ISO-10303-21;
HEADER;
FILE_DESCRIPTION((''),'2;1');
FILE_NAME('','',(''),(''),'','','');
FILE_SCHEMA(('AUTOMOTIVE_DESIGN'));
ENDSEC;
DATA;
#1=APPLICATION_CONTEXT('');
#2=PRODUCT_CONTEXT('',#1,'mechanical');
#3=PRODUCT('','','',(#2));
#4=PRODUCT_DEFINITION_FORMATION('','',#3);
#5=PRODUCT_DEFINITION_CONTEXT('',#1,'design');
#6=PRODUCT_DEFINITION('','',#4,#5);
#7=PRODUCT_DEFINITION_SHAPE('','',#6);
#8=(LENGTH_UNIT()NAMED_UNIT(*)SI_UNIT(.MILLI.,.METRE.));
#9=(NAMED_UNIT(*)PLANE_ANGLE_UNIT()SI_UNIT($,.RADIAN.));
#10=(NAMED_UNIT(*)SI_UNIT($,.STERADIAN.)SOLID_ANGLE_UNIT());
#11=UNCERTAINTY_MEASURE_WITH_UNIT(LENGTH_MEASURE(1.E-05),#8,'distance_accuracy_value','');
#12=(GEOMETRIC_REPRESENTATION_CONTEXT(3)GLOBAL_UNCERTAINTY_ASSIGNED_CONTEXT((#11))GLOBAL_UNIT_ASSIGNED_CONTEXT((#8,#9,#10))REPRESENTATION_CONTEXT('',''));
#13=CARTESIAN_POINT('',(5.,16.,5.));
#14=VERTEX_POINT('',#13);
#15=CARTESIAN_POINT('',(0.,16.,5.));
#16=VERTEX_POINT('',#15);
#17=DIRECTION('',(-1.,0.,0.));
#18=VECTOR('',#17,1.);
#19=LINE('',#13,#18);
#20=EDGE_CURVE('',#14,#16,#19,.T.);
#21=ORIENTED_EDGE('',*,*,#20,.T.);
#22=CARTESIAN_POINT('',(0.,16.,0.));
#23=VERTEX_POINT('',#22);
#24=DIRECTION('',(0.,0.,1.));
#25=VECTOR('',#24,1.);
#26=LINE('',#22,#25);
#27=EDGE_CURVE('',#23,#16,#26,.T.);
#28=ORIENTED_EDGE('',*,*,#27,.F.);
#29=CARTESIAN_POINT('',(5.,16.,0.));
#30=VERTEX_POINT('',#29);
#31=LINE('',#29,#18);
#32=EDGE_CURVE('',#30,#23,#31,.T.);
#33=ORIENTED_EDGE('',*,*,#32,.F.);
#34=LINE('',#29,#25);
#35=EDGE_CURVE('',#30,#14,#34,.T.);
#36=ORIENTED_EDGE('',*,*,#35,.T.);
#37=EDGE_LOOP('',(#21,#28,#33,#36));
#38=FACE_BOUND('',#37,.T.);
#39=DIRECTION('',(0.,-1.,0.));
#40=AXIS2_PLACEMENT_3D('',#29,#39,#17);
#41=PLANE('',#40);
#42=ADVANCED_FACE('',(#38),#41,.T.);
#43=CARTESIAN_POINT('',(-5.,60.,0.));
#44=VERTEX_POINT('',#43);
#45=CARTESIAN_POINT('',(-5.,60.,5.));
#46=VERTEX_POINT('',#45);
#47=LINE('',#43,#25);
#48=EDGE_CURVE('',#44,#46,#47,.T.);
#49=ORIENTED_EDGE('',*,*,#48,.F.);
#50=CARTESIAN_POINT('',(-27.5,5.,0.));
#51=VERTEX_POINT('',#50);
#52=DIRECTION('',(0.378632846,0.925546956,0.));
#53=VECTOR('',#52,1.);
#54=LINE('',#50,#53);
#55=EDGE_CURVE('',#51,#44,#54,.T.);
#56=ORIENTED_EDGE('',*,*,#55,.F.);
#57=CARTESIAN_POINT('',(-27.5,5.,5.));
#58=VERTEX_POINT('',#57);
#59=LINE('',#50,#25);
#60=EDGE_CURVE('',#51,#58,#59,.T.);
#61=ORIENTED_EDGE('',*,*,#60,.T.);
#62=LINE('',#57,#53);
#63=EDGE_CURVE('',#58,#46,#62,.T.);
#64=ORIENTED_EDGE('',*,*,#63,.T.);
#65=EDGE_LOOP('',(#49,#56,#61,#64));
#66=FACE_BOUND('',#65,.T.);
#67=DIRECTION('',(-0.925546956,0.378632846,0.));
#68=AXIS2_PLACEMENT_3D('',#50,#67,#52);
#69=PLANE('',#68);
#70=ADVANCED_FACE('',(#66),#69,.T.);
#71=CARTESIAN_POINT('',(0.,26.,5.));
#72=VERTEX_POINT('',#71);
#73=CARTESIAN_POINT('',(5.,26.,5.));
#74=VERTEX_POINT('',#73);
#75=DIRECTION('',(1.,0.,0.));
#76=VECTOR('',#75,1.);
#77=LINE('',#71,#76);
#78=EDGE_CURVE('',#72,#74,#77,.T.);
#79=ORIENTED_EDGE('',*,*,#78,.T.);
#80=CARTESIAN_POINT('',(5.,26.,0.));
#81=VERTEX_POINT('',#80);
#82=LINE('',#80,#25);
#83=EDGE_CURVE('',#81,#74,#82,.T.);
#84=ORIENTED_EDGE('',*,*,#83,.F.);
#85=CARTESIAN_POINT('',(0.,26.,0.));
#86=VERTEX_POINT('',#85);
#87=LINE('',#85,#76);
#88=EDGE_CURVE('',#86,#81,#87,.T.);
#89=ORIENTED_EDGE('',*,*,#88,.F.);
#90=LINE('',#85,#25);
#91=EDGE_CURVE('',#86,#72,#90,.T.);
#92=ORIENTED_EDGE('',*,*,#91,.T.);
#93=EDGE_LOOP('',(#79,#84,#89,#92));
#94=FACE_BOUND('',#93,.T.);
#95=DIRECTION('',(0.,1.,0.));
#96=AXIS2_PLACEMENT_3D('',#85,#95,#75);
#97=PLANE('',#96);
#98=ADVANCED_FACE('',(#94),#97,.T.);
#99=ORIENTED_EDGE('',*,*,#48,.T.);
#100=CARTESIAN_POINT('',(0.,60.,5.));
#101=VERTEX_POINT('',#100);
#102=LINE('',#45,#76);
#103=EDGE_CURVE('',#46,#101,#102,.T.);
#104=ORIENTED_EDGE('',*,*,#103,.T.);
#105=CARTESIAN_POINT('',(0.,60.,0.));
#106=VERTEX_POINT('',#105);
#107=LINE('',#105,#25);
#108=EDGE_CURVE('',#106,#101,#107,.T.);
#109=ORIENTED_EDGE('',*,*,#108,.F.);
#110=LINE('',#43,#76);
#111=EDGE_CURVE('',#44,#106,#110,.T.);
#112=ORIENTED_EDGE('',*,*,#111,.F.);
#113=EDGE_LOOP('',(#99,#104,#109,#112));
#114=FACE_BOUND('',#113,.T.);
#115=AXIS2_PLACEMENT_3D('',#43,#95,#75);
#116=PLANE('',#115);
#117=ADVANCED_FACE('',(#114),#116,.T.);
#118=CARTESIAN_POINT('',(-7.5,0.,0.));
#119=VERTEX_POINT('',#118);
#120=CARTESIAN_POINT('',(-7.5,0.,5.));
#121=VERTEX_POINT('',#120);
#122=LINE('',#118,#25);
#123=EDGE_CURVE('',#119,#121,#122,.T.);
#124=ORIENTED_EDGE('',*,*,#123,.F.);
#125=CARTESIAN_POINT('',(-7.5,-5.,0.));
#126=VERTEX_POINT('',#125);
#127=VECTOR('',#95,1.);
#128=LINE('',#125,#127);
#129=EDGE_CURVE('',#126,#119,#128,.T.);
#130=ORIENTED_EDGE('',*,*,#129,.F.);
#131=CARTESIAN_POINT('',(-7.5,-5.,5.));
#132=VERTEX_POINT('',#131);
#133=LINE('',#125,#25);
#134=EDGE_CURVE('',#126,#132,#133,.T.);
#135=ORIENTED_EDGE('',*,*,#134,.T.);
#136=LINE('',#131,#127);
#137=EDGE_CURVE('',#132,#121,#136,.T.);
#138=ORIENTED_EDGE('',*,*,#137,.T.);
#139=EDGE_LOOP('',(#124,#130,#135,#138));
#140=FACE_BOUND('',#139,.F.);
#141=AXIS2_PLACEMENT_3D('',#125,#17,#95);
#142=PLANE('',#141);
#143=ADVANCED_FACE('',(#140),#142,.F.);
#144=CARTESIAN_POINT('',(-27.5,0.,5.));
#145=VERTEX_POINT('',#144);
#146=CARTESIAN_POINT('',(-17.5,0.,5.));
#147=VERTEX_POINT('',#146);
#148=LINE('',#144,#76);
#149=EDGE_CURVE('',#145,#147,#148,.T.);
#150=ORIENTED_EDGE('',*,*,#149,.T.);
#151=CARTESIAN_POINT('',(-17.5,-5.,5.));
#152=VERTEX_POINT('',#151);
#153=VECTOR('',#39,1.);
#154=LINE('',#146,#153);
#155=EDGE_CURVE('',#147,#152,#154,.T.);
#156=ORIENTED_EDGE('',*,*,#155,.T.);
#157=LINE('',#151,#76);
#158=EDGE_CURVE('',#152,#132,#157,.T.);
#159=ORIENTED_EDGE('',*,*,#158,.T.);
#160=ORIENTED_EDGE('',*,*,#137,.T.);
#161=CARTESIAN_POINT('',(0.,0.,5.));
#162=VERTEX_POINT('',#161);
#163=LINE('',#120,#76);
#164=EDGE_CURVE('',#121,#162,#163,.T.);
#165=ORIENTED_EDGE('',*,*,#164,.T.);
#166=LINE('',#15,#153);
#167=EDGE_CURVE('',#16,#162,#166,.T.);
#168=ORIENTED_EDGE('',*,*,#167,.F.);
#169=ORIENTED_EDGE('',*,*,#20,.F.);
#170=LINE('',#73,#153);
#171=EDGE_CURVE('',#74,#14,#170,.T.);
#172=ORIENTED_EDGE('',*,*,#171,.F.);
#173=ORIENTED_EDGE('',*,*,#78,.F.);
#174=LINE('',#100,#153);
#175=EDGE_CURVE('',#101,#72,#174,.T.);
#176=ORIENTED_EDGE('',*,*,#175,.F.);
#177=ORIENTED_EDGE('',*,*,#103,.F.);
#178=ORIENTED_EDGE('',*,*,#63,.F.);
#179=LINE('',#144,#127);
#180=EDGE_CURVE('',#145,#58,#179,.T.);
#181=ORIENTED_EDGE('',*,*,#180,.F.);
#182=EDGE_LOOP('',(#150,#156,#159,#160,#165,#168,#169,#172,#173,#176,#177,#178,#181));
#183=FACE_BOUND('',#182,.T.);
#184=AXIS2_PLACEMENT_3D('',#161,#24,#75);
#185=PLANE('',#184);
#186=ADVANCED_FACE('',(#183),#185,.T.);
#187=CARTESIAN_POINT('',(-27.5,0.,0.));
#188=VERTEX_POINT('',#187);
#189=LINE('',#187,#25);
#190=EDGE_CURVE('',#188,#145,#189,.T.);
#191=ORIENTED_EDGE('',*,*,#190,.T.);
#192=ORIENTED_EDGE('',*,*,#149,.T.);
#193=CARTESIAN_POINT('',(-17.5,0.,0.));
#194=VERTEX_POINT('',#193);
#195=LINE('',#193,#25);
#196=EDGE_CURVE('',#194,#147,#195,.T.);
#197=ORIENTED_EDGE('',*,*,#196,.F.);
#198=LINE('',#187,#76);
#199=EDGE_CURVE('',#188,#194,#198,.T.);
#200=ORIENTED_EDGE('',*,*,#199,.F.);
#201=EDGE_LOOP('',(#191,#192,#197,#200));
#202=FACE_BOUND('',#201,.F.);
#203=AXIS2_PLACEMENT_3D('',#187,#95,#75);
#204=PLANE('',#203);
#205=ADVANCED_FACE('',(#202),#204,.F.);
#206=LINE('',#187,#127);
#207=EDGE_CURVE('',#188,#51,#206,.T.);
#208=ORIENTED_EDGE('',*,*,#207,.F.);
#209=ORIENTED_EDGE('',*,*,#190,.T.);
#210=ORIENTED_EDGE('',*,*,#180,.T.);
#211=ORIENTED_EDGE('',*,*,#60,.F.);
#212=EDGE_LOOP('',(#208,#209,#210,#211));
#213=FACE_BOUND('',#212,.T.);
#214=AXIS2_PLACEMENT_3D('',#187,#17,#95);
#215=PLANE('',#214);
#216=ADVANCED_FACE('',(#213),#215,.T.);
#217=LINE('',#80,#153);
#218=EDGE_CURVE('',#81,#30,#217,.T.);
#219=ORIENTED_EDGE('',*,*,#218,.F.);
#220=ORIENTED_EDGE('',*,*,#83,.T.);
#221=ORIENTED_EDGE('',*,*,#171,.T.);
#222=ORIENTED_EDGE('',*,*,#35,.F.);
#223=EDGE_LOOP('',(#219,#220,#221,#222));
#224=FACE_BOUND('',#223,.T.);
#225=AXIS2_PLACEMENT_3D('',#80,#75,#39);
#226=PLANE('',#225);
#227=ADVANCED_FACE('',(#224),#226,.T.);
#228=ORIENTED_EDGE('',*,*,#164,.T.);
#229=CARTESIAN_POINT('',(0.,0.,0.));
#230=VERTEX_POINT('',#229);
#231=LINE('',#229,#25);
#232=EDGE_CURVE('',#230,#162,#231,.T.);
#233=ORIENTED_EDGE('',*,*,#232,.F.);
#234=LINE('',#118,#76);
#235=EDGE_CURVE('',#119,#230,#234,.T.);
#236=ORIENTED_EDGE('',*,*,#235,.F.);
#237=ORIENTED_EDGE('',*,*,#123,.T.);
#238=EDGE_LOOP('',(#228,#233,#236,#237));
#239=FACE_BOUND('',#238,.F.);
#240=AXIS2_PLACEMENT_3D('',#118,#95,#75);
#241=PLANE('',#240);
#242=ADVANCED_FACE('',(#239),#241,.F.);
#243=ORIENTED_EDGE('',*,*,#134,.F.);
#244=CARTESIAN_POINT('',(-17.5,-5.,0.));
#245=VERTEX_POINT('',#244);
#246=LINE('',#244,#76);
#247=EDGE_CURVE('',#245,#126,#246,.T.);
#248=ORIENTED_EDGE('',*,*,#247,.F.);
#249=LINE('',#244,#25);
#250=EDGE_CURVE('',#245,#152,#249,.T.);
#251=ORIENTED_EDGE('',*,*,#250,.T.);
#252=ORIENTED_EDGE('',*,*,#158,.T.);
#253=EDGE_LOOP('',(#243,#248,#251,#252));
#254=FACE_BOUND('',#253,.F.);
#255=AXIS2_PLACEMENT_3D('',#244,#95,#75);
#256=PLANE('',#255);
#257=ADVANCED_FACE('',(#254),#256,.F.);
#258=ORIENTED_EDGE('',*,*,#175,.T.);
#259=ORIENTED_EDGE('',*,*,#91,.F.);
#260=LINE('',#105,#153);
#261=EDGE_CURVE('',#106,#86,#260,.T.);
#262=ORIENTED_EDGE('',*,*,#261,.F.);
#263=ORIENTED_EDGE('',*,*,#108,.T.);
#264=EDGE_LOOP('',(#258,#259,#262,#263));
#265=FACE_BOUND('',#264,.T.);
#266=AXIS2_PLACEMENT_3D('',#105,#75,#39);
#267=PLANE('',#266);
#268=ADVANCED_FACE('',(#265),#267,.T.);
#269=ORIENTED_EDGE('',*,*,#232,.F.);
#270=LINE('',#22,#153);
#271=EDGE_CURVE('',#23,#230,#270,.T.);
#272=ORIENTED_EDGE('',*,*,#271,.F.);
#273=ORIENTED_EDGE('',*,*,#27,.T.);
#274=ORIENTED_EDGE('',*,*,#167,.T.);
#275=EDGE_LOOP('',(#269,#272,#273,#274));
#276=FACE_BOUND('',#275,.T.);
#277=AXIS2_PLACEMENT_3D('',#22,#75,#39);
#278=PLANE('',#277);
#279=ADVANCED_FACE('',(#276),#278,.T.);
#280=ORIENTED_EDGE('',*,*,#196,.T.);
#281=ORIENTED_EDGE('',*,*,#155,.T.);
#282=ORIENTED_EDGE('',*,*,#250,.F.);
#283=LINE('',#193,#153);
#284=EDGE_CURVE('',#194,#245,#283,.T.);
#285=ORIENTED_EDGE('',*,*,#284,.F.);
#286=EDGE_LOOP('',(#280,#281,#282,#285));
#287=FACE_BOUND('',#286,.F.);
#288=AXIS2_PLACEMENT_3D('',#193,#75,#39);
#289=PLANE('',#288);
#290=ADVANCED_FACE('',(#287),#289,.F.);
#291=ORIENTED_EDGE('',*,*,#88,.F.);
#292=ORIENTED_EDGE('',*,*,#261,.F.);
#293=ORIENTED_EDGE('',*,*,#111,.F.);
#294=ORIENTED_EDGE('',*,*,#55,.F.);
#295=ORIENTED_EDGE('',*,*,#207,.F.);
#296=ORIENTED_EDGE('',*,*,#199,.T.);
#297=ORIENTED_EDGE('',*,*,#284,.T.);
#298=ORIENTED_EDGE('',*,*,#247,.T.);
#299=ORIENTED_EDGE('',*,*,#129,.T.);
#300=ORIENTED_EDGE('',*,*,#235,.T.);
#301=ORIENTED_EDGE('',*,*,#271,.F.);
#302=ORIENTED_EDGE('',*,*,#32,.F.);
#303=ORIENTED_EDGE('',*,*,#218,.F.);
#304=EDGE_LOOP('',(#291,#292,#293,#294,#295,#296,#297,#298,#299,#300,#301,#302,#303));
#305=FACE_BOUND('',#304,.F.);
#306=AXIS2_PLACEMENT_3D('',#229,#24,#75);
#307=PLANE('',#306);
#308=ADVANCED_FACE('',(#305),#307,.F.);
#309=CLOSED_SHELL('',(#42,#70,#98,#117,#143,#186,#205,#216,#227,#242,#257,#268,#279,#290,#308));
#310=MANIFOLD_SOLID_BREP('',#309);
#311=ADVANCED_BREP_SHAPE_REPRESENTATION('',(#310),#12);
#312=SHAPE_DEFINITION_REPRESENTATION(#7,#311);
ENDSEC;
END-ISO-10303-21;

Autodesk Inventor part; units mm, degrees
ref_plane "YZ Plane" through (0, 0, 0) normal (1, 0, 0) x (0, 1, 0)
ref_plane "XZ Plane" through (0, 0, 0) normal (0, 1, 0) x (-1, 0, 0)
ref_plane "XY Plane" through (0, 0, 0) normal (0, 0, 1) x (1, 0, 0)
sketch "Sketch1" plane through (0, 0, 0) normal (0, 0, 1) x (1, 0, 0)
  line L0 (-27.5, 0) -> (-27.5, 5)
  line L1 (-27.5, 5) -> (-5, 60)
  line L2 (-5, 60) -> (0, 60)
  line L3 (-27.5, 0) -> (-17.5, 0)
  line L4 (-17.5, 0) -> (-17.5, -5)
  line L5 (-17.5, -5) -> (-7.5, -5)
  line L6 (-7.5, -5) -> (-7.5, 0)
  line L7 (-7.5, 0) -> (0, 0)
  line L8 (0, 60) -> (0, 26)
  line L9 (0, 26) -> (5, 26)
  line L10 (5, 26) -> (5, 16)
  line L11 (5, 16) -> (0, 16)
  line L12 (0, 16) -> (0, 0)
  dimension "d0" = 5
  dimension "d1" = 5
  dimension "d2" = 27.5
  dimension "d3" = 60
  dimension "d4" = 10
  dimension "d5" = 10
  dimension "d6" = 10
  dimension "d7" = 5
  dimension "d8" = 16
  dimension "d9" = 5
  dimension "d11" = 90
extrude "Extrusion1" add sketch "Sketch1" along normal blind 5
properties part number "Belt_Holder3" material "Polycarbonate, Clear"
